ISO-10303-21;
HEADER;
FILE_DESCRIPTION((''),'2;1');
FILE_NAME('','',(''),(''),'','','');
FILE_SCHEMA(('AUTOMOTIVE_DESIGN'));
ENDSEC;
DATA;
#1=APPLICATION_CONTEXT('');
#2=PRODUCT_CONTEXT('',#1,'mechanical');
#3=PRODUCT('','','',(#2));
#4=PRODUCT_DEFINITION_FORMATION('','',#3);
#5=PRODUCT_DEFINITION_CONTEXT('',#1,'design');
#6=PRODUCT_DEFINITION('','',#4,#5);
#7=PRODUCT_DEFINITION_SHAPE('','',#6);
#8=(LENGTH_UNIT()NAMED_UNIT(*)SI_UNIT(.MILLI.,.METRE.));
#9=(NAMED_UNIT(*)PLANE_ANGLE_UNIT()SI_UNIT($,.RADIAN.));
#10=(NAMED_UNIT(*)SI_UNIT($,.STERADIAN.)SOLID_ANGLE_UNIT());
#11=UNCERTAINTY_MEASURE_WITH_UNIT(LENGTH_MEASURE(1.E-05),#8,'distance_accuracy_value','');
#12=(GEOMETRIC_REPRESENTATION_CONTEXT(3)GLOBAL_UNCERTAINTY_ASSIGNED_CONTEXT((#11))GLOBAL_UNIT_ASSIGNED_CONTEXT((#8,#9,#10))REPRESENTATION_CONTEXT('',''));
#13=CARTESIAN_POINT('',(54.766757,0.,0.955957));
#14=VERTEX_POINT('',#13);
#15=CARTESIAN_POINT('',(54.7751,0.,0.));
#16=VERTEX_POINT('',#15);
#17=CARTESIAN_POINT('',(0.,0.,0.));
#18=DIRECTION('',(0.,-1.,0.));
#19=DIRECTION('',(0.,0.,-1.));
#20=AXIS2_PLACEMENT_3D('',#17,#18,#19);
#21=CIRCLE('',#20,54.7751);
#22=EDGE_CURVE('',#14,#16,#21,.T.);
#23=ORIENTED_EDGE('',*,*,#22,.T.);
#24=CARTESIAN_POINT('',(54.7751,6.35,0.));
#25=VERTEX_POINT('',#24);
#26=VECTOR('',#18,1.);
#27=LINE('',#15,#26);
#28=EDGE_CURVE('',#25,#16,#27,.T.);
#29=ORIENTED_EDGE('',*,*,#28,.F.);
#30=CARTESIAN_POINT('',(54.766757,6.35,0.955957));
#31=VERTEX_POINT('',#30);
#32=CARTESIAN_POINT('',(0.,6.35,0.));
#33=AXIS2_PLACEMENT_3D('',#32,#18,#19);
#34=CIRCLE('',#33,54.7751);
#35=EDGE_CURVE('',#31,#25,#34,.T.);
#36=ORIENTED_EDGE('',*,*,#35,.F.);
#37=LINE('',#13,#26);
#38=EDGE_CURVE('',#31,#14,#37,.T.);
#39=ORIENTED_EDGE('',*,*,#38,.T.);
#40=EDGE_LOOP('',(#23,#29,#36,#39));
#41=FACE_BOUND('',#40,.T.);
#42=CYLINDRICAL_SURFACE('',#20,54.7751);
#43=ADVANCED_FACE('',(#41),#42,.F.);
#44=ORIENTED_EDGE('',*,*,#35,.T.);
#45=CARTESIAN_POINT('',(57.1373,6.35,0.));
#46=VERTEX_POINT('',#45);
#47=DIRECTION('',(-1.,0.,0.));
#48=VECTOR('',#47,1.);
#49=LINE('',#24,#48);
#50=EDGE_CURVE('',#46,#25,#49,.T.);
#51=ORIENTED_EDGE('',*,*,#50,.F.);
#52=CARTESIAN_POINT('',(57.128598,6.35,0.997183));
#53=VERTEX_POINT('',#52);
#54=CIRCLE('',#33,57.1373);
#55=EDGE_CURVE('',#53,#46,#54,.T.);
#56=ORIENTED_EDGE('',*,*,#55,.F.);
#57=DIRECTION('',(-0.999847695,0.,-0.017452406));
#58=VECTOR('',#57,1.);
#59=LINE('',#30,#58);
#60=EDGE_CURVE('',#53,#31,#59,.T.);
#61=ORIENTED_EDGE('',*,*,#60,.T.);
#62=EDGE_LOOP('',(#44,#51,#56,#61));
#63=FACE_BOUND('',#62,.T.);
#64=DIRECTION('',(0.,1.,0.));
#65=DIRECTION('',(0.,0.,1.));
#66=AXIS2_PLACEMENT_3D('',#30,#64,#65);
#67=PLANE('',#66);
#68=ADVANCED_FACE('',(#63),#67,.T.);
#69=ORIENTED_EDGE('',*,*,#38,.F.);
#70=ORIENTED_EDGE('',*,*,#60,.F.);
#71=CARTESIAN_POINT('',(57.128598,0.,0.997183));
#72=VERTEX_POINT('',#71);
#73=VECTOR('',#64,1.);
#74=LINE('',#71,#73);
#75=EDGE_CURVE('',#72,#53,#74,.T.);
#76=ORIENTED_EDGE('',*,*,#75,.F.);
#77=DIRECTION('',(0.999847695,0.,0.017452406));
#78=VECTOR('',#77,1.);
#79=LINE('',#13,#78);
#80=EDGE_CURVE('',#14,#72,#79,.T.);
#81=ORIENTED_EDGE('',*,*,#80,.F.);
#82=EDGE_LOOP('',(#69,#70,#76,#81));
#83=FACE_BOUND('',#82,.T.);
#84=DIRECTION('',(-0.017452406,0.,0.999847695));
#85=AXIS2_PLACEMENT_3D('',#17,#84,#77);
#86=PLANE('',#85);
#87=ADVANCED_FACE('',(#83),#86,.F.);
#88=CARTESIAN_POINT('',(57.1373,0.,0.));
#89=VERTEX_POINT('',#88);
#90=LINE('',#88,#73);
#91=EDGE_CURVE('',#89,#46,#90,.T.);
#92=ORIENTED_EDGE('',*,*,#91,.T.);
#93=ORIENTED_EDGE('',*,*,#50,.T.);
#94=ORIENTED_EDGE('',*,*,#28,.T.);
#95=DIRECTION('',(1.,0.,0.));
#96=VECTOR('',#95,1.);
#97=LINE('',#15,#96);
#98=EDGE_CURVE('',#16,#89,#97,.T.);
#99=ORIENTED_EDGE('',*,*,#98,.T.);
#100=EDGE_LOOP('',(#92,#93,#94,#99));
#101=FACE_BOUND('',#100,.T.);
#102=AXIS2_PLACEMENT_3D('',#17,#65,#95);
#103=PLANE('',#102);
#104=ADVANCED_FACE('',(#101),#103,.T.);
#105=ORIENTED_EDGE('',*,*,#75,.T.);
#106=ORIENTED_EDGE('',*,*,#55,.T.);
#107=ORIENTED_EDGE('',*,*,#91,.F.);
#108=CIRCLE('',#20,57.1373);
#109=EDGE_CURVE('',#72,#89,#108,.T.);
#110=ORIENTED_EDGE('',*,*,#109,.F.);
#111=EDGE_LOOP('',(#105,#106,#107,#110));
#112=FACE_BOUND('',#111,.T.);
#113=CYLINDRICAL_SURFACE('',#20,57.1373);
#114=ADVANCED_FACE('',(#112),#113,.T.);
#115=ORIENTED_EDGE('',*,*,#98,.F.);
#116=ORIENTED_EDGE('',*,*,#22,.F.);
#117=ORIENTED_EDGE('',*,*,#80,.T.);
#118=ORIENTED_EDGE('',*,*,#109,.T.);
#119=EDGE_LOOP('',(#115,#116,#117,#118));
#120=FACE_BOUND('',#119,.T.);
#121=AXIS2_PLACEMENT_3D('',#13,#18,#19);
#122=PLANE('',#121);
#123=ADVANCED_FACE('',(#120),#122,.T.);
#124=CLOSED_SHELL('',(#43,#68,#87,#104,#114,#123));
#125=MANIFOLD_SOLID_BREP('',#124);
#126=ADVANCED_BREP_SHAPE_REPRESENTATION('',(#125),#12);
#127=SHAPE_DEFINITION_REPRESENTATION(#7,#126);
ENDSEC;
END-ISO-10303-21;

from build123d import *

# Parameters (mm, degrees)
SKETCH1_W     = 2.3622
SKETCH1_H     = 6.35
PISTON1_ANGLE = 359


with BuildPart() as part:
    # Sketch1 → Piston1 (revolve)
    with BuildSketch(Plane.XY):
        with Locations((55.9562, 3.175)):
            Rectangle(SKETCH1_W, SKETCH1_H)
    revolve(axis=Axis((0, 0, 0), (0, 1, 0)), revolution_arc=PISTON1_ANGLE)


solid = part.part
